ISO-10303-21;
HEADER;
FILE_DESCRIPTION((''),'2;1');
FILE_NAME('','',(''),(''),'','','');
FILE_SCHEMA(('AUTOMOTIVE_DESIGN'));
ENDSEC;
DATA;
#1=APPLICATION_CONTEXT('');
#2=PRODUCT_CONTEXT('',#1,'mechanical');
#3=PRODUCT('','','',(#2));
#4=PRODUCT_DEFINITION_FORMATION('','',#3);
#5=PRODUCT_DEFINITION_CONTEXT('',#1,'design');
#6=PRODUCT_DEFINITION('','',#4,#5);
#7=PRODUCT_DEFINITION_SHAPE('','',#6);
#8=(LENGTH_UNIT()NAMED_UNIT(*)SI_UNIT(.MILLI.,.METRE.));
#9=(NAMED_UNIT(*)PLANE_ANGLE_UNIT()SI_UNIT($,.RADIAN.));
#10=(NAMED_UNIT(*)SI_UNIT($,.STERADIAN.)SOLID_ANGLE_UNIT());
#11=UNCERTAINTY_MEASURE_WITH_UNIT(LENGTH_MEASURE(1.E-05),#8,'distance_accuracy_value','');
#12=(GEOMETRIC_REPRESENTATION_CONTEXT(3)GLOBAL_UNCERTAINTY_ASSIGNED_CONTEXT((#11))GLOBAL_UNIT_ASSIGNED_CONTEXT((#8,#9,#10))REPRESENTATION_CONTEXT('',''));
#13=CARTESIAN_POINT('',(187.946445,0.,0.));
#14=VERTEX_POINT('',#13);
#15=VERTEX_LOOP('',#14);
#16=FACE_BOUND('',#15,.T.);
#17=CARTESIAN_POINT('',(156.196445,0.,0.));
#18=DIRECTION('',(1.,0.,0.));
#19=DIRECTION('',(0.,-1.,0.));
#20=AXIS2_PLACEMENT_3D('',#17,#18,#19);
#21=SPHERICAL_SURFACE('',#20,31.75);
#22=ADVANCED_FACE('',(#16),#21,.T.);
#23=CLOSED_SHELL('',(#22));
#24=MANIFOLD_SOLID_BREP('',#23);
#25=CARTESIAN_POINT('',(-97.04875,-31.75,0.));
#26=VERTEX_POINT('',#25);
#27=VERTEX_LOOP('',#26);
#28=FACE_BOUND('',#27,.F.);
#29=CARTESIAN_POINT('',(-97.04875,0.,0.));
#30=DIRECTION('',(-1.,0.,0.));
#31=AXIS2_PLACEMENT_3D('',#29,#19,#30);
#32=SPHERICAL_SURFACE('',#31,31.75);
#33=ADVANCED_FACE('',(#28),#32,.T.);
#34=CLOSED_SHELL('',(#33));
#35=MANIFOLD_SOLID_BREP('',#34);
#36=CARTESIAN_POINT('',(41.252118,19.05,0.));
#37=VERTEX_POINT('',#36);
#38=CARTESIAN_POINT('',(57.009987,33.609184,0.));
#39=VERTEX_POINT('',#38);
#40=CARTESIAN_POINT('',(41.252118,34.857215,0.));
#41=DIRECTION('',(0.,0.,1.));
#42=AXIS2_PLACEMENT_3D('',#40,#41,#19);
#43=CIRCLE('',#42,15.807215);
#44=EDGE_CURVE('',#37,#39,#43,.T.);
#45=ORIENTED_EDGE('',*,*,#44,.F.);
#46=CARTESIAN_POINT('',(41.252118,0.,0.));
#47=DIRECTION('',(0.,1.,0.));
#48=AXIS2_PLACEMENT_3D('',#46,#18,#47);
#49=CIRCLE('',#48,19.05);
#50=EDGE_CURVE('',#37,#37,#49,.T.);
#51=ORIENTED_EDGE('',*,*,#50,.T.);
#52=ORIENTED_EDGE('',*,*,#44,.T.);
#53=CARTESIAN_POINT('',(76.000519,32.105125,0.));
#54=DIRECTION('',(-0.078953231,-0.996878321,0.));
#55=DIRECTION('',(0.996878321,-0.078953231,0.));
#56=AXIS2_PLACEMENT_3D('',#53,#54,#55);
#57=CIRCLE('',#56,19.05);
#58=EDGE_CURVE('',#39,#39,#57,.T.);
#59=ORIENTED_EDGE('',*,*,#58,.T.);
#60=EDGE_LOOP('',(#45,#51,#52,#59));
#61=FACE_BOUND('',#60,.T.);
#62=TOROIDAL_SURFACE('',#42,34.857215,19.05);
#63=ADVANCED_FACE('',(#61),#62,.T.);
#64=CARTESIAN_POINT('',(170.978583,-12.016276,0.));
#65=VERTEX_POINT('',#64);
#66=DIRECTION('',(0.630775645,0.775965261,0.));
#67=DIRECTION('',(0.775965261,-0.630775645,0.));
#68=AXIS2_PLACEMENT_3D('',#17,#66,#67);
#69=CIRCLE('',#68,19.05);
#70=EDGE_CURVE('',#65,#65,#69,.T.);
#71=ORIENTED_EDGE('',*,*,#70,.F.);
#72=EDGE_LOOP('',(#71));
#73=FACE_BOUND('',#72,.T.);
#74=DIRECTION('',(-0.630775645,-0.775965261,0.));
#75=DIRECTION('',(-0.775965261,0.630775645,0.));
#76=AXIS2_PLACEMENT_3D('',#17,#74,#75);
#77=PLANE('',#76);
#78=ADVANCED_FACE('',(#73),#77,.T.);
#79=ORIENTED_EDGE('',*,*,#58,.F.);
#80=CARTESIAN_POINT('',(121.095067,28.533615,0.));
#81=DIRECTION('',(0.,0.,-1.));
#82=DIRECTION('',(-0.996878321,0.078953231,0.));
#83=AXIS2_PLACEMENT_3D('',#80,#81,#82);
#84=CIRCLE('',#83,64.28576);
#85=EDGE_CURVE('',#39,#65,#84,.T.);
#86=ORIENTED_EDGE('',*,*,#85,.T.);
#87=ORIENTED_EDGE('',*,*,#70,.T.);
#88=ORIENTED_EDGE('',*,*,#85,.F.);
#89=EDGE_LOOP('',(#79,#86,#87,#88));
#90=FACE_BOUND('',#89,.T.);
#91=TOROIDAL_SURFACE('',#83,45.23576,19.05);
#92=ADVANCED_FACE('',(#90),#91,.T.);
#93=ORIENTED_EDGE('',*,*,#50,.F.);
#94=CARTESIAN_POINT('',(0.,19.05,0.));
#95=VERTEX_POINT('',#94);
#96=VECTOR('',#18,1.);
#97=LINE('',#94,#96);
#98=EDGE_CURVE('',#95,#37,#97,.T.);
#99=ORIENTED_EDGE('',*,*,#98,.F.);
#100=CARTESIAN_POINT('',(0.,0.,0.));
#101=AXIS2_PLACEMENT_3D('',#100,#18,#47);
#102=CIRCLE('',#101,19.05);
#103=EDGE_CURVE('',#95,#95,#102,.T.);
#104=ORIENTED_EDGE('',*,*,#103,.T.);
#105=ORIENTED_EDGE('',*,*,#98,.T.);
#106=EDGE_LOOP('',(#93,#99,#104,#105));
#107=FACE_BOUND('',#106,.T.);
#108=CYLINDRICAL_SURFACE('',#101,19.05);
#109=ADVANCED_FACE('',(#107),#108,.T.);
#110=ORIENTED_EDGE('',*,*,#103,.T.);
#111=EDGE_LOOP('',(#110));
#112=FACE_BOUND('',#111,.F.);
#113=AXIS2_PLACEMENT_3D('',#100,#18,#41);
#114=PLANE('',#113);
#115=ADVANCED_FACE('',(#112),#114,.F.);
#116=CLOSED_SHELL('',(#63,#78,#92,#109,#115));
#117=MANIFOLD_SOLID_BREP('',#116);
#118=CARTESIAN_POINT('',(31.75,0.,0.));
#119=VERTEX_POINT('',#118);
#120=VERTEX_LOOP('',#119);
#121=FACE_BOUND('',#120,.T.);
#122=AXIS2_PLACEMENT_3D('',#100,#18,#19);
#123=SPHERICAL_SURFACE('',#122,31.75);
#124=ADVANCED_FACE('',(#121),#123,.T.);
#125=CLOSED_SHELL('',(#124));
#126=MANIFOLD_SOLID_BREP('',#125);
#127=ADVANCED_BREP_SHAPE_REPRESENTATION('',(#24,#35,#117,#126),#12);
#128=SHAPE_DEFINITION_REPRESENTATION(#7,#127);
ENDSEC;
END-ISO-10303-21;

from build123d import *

# Parameters (mm, degrees)
F3_R = 19.05


with BuildPart() as f1:
    # F0 (on Top) → F1 (revolve)
    with BuildSketch(Plane.XY):
        with BuildLine():
            ThreePointArc((-31.75, 0), (0, -31.75), (31.75, 0))
            Line((31.75, 0), (-31.75, 0))
        make_face()
    revolve(axis=Axis((0, 0, 0), (1, 0, 0)))


with BuildPart() as f2:
    # F0 (on Top) → F2 (revolve)
    with BuildSketch(Plane.XY):
        with BuildLine():
            ThreePointArc((124.4464452267, 0), (156.1964452267, -31.75), (187.9464452267, 0))
            Line((187.9464452267, 0), (124.4464452267, 0))
        make_face()
    revolve(axis=Axis((156.1964452267, 0, 0), (1, 0, 0)))


with BuildPart() as f5:
    # F5: sweep along a path in F4
    with BuildLine(Plane.XY) as f5_path:
        Line((0, 0), (41.252117604, 0))
        ThreePointArc((41.252117604, 0), (64.9068763527, 9.2549139866), (76.0005190959, 32.1051248181))
        ThreePointArc((76.0005190959, 32.1051248181), (137.9072836676, 70.5291310102), (156.1964452267, 0))
    # F3 (on Right) → F5 (sweep)
    with BuildSketch(Plane.YZ):
        Circle(F3_R)
    sweep(path=f5_path.line)


with BuildPart() as f7:
    # F6 (on Top) → F7 (revolve)
    with BuildSketch(Plane.XY):
        with BuildLine():
            Line((-97.0487499492, -31.75), (-97.0487499492, 31.75))
            ThreePointArc((-97.0487499492, 31.75), (-128.7987499492, 0), (-97.0487499492, -31.75))
        make_face()
    revolve(axis=Axis((-97.0487499492, 0, 0), (0, 1, 0)))


solid = Compound([f1.part, f2.part, f5.part, f7.part])
